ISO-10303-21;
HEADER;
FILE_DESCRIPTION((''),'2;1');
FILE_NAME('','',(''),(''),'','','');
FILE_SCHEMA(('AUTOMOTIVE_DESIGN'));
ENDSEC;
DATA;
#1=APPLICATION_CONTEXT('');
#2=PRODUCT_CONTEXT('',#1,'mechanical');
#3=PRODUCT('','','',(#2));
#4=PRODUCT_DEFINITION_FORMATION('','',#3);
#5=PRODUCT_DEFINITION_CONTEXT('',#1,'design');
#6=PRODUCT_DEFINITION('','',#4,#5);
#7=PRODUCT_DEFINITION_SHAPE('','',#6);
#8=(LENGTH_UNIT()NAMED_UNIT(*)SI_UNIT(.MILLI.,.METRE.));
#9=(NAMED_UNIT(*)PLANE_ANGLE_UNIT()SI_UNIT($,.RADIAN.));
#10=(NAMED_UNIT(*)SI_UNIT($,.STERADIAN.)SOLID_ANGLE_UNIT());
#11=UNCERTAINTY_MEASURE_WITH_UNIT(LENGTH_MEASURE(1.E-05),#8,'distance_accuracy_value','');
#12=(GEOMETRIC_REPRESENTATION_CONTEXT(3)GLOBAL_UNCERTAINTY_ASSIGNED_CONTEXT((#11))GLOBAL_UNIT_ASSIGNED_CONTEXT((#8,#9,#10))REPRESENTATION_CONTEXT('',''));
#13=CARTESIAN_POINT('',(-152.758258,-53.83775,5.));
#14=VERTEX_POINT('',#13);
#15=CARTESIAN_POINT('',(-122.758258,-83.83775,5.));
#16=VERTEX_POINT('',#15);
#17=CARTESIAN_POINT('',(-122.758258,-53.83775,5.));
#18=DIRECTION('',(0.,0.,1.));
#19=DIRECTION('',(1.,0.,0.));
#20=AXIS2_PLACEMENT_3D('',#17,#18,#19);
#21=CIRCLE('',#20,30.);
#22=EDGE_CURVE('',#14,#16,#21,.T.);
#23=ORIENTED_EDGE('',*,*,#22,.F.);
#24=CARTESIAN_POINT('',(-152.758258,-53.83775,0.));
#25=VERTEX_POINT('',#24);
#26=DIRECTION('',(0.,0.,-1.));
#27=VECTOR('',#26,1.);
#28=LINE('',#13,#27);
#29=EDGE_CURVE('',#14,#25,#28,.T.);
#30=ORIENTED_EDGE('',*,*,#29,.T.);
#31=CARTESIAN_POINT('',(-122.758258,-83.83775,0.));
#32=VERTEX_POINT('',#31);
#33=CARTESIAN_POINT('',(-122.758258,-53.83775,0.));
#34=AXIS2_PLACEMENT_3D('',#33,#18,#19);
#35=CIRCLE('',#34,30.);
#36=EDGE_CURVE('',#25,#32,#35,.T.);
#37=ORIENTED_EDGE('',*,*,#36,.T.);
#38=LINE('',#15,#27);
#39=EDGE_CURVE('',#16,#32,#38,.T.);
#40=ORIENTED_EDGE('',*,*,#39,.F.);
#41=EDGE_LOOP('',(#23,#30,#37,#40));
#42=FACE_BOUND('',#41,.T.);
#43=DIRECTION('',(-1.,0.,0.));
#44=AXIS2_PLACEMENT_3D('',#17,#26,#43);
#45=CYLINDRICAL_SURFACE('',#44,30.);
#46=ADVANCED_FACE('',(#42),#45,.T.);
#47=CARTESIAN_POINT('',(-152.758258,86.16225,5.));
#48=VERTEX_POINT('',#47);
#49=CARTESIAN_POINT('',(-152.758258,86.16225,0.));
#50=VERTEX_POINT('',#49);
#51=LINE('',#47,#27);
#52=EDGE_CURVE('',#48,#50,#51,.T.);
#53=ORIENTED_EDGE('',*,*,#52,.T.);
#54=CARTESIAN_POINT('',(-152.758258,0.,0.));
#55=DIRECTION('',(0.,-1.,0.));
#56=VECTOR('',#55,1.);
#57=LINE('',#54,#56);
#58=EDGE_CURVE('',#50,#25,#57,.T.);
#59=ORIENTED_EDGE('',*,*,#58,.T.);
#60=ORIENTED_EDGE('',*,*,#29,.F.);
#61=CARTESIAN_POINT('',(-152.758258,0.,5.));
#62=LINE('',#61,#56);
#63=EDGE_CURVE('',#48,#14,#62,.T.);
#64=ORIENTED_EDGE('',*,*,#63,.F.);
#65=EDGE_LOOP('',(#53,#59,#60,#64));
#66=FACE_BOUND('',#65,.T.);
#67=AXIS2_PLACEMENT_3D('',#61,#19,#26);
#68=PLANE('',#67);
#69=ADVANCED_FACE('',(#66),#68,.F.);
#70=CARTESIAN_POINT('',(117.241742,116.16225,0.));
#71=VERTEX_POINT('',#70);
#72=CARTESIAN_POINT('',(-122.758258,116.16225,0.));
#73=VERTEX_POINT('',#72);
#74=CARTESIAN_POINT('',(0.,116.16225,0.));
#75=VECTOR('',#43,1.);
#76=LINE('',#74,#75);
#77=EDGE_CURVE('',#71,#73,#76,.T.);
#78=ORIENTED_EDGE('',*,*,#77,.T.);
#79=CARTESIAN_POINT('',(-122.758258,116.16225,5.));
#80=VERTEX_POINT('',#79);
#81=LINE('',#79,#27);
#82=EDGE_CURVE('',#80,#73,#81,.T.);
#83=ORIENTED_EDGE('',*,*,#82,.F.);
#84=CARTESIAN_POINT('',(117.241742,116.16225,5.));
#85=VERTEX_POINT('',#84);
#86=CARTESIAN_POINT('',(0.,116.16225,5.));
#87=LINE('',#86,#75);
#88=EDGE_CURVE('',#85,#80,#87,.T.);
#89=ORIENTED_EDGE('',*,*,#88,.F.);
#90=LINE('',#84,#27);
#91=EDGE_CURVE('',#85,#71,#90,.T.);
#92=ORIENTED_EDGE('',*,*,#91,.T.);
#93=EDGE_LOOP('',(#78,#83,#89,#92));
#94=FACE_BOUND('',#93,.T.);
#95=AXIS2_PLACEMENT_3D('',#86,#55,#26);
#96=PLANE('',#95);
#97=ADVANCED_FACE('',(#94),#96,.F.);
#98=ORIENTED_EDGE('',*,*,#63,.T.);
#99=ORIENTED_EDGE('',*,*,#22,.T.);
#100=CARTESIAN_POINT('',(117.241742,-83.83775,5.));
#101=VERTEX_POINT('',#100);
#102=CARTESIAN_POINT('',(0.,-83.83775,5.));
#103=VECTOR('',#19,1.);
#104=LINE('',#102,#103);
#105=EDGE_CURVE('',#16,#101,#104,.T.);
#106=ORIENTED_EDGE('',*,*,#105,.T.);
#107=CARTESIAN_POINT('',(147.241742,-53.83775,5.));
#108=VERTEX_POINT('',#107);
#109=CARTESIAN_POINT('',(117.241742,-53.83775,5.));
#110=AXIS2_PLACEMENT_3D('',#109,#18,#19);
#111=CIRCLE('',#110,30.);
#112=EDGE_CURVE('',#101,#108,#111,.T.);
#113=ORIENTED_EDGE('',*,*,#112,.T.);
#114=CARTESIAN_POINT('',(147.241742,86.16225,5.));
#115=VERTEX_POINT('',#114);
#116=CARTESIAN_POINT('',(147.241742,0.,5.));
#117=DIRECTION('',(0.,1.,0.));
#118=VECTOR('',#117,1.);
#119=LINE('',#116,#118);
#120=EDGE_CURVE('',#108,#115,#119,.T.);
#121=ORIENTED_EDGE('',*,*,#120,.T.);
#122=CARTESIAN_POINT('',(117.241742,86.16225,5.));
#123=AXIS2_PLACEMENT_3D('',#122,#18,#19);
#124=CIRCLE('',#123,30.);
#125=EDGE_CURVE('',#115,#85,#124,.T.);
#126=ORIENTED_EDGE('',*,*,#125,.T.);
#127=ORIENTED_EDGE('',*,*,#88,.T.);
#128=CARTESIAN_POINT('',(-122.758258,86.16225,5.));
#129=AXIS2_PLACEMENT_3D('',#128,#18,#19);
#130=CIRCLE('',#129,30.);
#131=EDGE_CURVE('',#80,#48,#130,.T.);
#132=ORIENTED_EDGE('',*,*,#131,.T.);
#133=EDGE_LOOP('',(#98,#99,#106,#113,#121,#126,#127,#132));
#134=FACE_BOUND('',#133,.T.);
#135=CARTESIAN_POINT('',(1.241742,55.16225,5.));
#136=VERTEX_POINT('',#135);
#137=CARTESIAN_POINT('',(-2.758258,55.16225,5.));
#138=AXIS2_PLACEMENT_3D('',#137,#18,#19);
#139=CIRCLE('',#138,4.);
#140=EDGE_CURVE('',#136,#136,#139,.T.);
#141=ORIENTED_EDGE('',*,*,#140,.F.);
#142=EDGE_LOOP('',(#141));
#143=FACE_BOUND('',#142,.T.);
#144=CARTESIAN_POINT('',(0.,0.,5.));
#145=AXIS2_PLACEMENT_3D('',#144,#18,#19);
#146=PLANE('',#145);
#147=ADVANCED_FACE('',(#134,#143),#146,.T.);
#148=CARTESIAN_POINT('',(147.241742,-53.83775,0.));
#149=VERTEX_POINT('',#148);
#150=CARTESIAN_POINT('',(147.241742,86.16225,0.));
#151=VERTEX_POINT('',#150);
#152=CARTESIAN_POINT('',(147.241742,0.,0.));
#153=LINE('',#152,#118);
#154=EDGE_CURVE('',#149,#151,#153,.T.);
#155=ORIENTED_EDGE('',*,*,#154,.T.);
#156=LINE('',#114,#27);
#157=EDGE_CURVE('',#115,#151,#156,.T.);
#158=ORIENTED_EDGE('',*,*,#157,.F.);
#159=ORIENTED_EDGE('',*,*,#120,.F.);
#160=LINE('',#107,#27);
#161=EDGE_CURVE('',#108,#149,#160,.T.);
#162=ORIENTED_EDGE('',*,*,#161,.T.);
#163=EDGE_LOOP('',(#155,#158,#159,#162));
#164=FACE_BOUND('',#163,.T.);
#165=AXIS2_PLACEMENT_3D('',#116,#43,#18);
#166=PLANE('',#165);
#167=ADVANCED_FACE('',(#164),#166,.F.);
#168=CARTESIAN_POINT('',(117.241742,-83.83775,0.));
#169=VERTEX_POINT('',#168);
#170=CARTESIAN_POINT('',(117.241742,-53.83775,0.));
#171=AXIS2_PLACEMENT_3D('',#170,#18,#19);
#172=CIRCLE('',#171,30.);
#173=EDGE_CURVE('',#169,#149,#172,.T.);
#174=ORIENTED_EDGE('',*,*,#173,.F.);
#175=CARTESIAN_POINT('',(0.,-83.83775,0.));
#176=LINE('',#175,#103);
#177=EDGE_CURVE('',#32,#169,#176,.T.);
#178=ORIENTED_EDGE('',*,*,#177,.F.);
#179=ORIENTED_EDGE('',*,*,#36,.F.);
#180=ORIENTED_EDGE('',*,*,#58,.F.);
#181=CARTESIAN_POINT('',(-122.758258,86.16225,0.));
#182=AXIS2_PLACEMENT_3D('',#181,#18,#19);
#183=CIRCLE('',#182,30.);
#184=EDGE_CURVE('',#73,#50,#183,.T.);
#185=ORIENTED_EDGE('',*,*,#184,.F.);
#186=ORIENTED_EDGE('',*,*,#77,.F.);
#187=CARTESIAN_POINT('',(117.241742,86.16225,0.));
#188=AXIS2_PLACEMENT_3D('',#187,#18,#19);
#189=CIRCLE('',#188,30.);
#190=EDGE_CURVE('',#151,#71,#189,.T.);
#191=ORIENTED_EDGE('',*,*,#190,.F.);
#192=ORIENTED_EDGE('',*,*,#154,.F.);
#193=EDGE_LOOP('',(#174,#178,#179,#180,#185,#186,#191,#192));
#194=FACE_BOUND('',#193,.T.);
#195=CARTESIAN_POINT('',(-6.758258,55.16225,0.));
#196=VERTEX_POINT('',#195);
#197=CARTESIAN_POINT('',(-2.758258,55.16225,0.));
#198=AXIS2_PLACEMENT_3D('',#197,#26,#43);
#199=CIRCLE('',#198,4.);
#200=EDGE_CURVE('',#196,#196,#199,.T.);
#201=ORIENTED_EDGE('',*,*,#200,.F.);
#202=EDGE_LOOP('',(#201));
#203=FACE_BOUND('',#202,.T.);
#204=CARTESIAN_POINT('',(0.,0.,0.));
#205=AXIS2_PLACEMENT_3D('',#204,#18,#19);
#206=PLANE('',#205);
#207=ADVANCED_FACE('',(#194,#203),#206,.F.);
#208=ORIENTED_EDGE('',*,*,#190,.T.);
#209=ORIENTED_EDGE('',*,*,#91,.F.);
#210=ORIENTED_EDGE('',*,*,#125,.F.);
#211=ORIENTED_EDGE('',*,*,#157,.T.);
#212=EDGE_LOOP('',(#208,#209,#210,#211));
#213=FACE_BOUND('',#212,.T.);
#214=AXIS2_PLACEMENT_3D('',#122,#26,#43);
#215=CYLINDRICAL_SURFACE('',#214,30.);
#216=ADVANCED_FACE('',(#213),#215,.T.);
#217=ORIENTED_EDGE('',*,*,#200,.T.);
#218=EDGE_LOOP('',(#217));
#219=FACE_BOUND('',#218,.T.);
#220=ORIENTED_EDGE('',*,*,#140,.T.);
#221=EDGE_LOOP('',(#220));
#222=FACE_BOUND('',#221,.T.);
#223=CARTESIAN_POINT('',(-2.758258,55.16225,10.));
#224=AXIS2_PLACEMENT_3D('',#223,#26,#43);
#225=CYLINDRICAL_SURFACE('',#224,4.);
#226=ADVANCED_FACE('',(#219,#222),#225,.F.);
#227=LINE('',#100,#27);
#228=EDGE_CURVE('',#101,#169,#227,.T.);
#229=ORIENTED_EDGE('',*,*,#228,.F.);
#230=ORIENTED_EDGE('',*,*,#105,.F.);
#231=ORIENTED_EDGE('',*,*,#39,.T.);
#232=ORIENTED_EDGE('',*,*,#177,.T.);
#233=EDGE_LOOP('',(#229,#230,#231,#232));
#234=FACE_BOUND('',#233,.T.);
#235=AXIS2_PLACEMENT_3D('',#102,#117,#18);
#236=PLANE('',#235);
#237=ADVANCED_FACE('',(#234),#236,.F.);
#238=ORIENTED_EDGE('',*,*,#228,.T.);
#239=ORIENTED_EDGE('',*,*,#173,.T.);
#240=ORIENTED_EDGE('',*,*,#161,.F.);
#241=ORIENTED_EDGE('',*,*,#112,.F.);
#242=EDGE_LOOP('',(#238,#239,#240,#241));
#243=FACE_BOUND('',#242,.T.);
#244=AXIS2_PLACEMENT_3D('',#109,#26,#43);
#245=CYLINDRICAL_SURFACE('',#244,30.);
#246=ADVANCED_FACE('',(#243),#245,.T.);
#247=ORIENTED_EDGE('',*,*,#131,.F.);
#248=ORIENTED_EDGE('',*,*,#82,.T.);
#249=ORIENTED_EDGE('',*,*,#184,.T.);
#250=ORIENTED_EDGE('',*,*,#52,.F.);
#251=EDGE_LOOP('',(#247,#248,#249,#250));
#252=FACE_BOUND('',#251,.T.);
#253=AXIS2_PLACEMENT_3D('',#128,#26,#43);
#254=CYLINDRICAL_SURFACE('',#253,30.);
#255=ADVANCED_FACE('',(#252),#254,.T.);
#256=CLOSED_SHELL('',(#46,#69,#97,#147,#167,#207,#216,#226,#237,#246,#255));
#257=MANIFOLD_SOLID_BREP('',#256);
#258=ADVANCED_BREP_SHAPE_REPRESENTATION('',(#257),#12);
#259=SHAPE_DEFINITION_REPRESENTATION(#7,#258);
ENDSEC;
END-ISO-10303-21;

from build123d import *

# Parameters (mm, degrees)
CROQUIS1_R              = 4.05
CROQUIS1_R_2            = 10
CROQUIS1_R_3            = 2
SALIENTE_EXTRUIR1_DEPTH = 5
CROQUIS4_R              = 4
CORTAR_EXTRUIR2_DEPTH   = 10


with BuildPart() as part:
    # Croquis1 → Saliente-Extruir1 (new body)
    with BuildSketch(Plane.XY):
        with BuildLine():
            Line((-152.758258368, 86.1622498), (-152.758258368, -53.8377502))
            ThreePointArc((-152.758258368, -53.8377502), (-143.971461803, -75.050953636), (-122.758258368, -83.8377502))
            Line((-122.758258368, -83.8377502), (117.241741632, -83.8377502))
            ThreePointArc((117.241741632, -83.8377502), (138.454945068, -75.050953636), (147.241741632, -53.8377502))
            Line((147.241741632, -53.8377502), (147.241741632, 86.1622498))
            ThreePointArc((147.241741632, 86.1622498), (138.454945068, 107.375453235), (117.241741632, 116.1622498))
            Line((117.241741632, 116.1622498), (-122.758258368, 116.1622498))
            ThreePointArc((-122.758258368, 116.1622498), (-143.971461803, 107.375453235), (-152.758258368, 86.1622498))
        make_face()
        with Locations((80.390042053, 52.003668375)):
            Circle(CROQUIS1_R, mode=Mode.SUBTRACT)
        with Locations((14.450042053, 52.003668375)):
            Circle(CROQUIS1_R_2, mode=Mode.SUBTRACT)
        with Locations((-1.609957947, 104.003668375)):
            Circle(CROQUIS1_R_3, mode=Mode.SUBTRACT)
        with Locations((102.390042053, 104.003668375)):
            Circle(CROQUIS1_R_3, mode=Mode.SUBTRACT)
        with Locations((52.390042053, 0.003668375)):
            Circle(CROQUIS1_R_3, mode=Mode.SUBTRACT)
        with Locations((-1.609957947, 0.003668375)):
            Circle(CROQUIS1_R_3, mode=Mode.SUBTRACT)
        with Locations((-1.609957947, 104.003668375)):
            Circle(CROQUIS1_R_3)
        with Locations((102.390042053, 104.003668375)):
            Circle(CROQUIS1_R_3)
        with Locations((52.390042053, 0.003668375)):
            Circle(CROQUIS1_R_3)
        with Locations((-1.609957947, 0.003668375)):
            Circle(CROQUIS1_R_3)
        with Locations((14.450042053, 52.003668375)):
            Circle(CROQUIS1_R_2)
        with Locations((80.390042053, 52.003668375)):
            Circle(CROQUIS1_R)
    extrude(amount=SALIENTE_EXTRUIR1_DEPTH)

    # Croquis4 → Cortar-Extruir2 (cut)
    with BuildSketch(Plane(origin=(0, 0, 0), x_dir=(-1, 0, 0), z_dir=(0, 0, -1))):
        with Locations((2.758258368, 55.1622498)):
            Circle(CROQUIS4_R)
    extrude(amount=-CORTAR_EXTRUIR2_DEPTH, mode=Mode.SUBTRACT)


solid = part.part
